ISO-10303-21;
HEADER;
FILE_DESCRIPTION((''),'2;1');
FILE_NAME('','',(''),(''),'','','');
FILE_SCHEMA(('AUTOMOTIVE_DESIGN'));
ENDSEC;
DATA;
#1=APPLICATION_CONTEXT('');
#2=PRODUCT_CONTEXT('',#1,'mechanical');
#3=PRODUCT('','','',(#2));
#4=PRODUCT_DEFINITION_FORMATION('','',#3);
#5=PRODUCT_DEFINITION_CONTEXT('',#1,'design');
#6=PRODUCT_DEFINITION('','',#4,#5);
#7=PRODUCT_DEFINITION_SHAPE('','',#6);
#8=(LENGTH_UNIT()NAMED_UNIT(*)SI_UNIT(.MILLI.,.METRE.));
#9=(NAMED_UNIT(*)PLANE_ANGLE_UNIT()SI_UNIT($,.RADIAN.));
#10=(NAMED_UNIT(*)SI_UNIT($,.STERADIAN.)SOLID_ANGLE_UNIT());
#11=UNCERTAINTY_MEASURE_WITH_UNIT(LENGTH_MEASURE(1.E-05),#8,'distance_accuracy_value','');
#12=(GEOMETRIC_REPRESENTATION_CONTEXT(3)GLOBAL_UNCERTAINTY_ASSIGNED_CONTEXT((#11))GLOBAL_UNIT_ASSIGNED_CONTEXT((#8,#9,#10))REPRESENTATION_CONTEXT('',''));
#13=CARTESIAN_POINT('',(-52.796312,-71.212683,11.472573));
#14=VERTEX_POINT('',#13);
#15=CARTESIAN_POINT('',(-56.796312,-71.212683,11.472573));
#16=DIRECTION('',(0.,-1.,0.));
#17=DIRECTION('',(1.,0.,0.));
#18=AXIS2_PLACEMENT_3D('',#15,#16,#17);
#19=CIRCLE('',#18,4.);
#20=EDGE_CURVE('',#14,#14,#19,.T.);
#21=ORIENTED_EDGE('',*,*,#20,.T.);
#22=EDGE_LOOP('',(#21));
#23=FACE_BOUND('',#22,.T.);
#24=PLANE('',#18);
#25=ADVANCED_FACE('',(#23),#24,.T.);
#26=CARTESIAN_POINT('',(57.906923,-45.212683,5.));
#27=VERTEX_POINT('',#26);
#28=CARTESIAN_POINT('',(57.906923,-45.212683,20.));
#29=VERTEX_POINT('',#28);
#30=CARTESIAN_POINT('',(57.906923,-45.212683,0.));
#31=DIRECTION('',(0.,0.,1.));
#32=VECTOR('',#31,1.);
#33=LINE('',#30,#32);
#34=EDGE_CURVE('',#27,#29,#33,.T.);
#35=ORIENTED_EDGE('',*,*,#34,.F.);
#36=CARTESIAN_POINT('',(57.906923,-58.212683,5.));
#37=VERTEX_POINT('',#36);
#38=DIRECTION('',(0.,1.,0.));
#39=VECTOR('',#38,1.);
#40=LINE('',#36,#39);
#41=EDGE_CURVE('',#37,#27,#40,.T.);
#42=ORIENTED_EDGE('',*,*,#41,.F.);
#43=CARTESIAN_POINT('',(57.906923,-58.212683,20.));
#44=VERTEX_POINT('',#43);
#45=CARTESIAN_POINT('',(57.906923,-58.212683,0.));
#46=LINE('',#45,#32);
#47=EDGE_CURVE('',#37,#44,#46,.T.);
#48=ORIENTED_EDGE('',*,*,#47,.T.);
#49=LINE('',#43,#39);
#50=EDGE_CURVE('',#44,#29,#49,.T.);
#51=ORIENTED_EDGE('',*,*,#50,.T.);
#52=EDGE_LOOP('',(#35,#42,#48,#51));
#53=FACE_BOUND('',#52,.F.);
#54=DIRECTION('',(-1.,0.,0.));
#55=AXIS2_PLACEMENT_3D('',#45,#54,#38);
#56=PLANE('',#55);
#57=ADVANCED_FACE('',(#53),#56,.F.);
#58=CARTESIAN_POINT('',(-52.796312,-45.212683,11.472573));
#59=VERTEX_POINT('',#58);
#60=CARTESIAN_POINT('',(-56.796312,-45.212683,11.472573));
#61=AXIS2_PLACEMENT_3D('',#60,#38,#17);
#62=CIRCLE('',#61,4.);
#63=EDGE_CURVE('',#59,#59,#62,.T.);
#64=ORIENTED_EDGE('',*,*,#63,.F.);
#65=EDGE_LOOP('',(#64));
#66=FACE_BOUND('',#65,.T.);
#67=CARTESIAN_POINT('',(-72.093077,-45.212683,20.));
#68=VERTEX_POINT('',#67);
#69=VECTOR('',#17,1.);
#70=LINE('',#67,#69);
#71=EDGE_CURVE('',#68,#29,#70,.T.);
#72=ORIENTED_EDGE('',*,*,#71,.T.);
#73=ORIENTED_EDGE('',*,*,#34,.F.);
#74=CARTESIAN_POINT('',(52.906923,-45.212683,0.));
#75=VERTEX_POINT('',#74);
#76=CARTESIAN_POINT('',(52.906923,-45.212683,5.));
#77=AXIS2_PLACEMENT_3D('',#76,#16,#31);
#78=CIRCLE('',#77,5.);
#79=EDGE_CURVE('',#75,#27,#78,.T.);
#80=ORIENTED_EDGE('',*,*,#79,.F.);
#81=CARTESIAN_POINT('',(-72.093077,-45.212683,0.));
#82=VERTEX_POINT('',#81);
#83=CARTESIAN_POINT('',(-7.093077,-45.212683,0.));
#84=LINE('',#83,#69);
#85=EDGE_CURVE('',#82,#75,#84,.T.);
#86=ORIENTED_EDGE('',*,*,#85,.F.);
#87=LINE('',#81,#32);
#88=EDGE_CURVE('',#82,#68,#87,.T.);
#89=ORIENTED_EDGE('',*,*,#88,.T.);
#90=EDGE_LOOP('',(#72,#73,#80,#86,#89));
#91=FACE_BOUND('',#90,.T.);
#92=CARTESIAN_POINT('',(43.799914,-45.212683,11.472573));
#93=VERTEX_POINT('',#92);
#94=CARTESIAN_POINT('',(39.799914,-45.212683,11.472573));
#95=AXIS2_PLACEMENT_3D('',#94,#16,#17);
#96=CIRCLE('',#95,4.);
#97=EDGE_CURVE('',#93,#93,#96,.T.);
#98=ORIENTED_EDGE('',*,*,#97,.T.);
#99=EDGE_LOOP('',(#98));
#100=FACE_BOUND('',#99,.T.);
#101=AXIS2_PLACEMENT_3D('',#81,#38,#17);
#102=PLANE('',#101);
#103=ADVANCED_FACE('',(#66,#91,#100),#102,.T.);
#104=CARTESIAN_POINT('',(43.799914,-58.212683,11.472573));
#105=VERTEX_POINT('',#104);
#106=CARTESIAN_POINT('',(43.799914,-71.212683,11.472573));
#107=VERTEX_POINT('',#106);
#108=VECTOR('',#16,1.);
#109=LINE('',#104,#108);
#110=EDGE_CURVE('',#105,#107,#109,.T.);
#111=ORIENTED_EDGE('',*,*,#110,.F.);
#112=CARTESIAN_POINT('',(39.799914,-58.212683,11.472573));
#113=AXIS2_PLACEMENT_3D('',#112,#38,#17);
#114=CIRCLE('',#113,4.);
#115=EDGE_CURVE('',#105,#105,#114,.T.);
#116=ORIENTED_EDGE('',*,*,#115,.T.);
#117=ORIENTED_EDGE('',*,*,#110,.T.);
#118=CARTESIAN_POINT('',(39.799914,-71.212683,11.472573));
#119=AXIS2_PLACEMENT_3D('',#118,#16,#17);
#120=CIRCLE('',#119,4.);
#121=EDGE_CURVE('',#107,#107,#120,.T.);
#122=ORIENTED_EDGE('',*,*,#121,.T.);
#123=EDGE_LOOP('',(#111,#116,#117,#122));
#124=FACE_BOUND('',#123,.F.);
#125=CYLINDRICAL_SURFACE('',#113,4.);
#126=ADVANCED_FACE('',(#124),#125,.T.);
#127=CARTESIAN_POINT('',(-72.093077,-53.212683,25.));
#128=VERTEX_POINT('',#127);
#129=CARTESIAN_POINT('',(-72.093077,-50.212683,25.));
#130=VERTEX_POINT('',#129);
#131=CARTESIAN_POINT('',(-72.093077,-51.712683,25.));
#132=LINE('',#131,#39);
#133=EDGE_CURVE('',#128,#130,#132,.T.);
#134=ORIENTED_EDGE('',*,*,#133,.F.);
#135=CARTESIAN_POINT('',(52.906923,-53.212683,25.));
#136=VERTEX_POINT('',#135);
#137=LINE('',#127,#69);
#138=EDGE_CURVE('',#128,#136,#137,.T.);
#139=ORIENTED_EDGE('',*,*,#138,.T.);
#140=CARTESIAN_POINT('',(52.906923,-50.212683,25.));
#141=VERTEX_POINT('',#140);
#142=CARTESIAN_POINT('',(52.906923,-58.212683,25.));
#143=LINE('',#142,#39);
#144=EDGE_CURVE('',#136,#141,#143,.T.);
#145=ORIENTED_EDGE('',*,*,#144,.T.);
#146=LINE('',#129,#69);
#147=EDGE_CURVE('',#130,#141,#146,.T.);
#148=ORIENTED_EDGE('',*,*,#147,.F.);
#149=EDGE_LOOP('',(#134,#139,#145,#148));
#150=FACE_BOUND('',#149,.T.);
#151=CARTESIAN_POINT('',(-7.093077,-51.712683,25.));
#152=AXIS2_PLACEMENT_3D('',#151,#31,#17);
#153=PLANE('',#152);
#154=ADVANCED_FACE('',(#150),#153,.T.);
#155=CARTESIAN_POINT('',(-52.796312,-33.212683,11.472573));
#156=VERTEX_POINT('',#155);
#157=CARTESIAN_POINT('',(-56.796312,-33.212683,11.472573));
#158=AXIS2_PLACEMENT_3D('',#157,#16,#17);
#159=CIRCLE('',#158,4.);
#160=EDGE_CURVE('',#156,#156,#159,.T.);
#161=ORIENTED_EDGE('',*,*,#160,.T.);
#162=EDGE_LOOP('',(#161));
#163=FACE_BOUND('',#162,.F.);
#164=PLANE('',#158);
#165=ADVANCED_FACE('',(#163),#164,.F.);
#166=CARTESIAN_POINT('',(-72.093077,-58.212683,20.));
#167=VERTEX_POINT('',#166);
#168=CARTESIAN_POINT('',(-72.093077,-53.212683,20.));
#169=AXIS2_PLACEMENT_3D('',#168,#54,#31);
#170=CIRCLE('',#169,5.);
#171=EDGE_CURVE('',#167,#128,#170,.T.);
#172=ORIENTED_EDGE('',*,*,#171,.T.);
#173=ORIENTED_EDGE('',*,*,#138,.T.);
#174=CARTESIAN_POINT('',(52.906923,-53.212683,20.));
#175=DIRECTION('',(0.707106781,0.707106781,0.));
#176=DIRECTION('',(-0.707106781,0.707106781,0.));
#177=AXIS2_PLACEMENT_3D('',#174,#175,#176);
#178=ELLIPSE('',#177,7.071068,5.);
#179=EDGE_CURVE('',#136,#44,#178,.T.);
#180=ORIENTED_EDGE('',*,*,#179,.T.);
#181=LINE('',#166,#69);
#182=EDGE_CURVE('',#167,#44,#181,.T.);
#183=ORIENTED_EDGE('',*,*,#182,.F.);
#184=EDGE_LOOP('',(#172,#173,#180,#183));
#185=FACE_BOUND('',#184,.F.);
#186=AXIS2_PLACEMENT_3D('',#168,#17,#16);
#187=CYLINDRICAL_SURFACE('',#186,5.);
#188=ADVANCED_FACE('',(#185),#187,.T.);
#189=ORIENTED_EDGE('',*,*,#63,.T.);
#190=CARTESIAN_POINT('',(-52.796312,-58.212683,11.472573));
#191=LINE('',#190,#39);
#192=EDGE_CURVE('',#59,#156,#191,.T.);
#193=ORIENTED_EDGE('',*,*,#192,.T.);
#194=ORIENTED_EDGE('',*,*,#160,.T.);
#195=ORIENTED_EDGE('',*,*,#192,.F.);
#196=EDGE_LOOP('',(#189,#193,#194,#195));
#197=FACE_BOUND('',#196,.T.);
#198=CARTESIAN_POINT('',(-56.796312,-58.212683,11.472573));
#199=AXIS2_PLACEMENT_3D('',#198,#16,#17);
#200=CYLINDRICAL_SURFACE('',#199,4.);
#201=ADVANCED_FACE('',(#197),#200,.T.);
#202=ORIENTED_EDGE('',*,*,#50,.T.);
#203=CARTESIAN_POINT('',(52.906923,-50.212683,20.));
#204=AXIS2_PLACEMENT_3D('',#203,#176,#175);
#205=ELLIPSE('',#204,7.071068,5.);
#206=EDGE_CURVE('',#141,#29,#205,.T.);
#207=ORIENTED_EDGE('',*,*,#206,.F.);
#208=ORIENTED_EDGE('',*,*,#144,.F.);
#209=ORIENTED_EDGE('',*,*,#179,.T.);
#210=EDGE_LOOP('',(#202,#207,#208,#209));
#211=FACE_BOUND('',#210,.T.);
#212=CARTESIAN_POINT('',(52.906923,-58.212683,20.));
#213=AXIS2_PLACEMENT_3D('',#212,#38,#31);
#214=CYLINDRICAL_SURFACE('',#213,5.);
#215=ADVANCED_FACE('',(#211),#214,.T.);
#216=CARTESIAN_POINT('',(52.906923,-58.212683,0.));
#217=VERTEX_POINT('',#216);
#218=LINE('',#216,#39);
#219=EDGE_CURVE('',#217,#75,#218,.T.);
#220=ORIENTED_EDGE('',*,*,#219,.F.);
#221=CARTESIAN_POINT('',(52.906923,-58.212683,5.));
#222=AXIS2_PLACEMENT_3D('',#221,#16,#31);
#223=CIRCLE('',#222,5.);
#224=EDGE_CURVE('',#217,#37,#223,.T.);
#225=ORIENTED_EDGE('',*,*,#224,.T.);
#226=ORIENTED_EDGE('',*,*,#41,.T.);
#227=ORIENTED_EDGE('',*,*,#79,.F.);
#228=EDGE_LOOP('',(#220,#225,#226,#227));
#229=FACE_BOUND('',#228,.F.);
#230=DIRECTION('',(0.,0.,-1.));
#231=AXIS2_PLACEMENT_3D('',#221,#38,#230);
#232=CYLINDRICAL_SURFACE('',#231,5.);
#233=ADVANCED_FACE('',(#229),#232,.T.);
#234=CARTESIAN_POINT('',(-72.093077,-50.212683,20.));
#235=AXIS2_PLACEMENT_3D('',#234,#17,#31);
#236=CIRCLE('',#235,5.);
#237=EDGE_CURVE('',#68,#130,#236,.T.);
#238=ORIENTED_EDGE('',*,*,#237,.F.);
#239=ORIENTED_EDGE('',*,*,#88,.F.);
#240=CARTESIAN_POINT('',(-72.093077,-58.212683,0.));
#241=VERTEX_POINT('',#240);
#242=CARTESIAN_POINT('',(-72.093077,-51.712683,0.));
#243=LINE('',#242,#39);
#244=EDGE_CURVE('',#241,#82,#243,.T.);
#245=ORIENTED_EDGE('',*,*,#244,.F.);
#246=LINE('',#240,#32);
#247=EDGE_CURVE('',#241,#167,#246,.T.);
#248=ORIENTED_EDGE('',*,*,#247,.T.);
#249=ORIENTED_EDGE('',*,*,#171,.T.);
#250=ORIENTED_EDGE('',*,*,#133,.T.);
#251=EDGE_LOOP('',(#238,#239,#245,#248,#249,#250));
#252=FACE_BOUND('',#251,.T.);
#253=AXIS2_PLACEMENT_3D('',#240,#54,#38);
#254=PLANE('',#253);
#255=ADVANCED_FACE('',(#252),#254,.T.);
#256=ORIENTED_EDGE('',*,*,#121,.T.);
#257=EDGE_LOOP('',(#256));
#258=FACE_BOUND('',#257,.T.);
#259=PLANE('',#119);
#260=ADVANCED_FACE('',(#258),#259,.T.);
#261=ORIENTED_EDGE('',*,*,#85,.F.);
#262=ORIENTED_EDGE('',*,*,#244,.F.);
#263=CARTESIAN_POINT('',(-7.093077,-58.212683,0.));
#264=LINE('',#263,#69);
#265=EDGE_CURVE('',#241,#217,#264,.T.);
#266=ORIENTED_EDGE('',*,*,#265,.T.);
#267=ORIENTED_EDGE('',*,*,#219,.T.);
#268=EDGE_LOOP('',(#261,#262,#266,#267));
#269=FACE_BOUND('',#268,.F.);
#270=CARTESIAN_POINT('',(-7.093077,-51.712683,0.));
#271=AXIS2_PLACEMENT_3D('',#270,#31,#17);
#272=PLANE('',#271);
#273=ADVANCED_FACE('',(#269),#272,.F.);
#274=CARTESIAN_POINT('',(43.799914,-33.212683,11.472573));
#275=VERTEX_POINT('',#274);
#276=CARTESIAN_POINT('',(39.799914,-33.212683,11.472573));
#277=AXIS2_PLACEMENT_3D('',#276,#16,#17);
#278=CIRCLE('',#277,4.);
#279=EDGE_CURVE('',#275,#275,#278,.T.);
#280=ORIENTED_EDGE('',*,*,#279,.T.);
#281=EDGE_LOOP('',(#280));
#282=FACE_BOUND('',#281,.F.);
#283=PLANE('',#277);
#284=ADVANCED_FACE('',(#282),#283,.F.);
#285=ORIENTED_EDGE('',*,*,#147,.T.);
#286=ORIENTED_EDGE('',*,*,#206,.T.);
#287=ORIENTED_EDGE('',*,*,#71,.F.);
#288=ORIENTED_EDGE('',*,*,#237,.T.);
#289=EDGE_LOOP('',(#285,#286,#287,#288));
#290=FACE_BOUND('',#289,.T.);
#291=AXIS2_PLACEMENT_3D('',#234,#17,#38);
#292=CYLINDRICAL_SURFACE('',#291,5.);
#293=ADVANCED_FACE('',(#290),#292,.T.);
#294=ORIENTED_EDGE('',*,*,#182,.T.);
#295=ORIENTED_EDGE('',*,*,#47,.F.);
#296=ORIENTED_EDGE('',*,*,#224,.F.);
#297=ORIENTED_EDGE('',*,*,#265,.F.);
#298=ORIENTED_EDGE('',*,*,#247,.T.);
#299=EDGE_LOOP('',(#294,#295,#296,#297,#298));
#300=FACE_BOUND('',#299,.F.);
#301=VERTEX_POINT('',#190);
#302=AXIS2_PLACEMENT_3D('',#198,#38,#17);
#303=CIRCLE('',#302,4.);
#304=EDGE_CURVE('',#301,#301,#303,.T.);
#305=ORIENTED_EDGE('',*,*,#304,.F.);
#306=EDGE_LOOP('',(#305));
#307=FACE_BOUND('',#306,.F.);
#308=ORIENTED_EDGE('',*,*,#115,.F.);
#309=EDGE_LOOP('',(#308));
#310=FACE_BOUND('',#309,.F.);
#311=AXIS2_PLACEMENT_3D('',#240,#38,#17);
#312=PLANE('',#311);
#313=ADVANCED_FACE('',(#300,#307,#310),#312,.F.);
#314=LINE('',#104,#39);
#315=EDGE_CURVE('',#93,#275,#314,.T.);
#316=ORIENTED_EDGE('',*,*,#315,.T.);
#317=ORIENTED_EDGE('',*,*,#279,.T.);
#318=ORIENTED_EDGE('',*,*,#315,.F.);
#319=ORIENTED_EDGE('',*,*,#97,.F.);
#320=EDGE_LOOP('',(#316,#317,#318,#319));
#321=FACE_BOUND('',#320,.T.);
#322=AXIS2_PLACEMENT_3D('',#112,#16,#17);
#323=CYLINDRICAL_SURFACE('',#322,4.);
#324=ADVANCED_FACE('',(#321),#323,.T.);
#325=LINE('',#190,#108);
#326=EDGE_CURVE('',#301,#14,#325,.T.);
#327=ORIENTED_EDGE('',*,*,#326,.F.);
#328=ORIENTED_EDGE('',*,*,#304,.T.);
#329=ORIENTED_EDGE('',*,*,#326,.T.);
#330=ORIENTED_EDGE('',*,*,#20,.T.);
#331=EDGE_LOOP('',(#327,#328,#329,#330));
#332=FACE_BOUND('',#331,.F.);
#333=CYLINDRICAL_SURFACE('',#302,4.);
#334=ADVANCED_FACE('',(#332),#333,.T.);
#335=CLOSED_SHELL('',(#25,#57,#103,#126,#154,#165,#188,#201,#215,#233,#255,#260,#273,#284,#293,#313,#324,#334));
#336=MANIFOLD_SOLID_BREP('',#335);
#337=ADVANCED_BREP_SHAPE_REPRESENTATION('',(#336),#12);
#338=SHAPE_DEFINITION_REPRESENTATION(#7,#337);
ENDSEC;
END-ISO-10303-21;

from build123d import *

# Parameters (mm, degrees)
F0_W          = 130
F0_H          = 13
F1_DEPTH      = 25
F2_R          = 4
F3_DEPTH      = 25
F3_FACE_R     = 4
F4_DEPTH      = 99.4
F5_R          = 5
F6_R          = 4
F7_DEPTH      = 13
F7_DEPTH_BACK = 25


with BuildPart() as f1:
    # F0 (on Top) → F1 (new body)
    with BuildSketch(Plane.XY):
        with Locations((-7.093077, -51.712683)):
            Rectangle(F0_W, F0_H)
    extrude(amount=F1_DEPTH)

    # F2 (on face) → F3 (join)
    with BuildSketch(Plane(origin=(0, -45.212683, 0), x_dir=(-1, 0, 0), z_dir=(0, 1, 0))):
        with Locations((-39.799914, 11.472573)):
            Circle(F2_R)
        with Locations((56.796312, 11.472573)):
            Circle(F2_R)
    extrude(amount=F3_DEPTH)

    # F3_face (on face) → F4 (cut)
    with BuildSketch(Plane(origin=(39.799914, -20.212683, 11.472573), x_dir=(-1, 0, 0), z_dir=(0, 1, 0))):
        Circle(F3_FACE_R)
        with Locations((96.596226, 0)):
            Circle(F3_FACE_R)
    extrude(amount=-F4_DEPTH, mode=Mode.SUBTRACT)

    # F5
    f5_edges = [f1.edges().sort_by_distance(p)[0] for p in [
        (57.906923, -51.712683, 25),
        (57.906923, -51.712683, 0),
        (-7.093077, -58.212683, 25),
        (-7.093077, -45.212683, 25),
    ]]
    fillet(f5_edges, radius=F5_R)

    # F6 (on face) → F7 (join, two sides)
    with BuildSketch(Plane.XZ.offset(58.212683)) as f7_sk:
        with Locations((-56.796312, 11.472573)):
            Circle(F6_R)
        with Locations((39.799914, 11.472573)):
            Circle(F6_R)
    extrude(amount=F7_DEPTH)
    extrude(f7_sk.sketch, amount=-F7_DEPTH_BACK)


solid = f1.part
